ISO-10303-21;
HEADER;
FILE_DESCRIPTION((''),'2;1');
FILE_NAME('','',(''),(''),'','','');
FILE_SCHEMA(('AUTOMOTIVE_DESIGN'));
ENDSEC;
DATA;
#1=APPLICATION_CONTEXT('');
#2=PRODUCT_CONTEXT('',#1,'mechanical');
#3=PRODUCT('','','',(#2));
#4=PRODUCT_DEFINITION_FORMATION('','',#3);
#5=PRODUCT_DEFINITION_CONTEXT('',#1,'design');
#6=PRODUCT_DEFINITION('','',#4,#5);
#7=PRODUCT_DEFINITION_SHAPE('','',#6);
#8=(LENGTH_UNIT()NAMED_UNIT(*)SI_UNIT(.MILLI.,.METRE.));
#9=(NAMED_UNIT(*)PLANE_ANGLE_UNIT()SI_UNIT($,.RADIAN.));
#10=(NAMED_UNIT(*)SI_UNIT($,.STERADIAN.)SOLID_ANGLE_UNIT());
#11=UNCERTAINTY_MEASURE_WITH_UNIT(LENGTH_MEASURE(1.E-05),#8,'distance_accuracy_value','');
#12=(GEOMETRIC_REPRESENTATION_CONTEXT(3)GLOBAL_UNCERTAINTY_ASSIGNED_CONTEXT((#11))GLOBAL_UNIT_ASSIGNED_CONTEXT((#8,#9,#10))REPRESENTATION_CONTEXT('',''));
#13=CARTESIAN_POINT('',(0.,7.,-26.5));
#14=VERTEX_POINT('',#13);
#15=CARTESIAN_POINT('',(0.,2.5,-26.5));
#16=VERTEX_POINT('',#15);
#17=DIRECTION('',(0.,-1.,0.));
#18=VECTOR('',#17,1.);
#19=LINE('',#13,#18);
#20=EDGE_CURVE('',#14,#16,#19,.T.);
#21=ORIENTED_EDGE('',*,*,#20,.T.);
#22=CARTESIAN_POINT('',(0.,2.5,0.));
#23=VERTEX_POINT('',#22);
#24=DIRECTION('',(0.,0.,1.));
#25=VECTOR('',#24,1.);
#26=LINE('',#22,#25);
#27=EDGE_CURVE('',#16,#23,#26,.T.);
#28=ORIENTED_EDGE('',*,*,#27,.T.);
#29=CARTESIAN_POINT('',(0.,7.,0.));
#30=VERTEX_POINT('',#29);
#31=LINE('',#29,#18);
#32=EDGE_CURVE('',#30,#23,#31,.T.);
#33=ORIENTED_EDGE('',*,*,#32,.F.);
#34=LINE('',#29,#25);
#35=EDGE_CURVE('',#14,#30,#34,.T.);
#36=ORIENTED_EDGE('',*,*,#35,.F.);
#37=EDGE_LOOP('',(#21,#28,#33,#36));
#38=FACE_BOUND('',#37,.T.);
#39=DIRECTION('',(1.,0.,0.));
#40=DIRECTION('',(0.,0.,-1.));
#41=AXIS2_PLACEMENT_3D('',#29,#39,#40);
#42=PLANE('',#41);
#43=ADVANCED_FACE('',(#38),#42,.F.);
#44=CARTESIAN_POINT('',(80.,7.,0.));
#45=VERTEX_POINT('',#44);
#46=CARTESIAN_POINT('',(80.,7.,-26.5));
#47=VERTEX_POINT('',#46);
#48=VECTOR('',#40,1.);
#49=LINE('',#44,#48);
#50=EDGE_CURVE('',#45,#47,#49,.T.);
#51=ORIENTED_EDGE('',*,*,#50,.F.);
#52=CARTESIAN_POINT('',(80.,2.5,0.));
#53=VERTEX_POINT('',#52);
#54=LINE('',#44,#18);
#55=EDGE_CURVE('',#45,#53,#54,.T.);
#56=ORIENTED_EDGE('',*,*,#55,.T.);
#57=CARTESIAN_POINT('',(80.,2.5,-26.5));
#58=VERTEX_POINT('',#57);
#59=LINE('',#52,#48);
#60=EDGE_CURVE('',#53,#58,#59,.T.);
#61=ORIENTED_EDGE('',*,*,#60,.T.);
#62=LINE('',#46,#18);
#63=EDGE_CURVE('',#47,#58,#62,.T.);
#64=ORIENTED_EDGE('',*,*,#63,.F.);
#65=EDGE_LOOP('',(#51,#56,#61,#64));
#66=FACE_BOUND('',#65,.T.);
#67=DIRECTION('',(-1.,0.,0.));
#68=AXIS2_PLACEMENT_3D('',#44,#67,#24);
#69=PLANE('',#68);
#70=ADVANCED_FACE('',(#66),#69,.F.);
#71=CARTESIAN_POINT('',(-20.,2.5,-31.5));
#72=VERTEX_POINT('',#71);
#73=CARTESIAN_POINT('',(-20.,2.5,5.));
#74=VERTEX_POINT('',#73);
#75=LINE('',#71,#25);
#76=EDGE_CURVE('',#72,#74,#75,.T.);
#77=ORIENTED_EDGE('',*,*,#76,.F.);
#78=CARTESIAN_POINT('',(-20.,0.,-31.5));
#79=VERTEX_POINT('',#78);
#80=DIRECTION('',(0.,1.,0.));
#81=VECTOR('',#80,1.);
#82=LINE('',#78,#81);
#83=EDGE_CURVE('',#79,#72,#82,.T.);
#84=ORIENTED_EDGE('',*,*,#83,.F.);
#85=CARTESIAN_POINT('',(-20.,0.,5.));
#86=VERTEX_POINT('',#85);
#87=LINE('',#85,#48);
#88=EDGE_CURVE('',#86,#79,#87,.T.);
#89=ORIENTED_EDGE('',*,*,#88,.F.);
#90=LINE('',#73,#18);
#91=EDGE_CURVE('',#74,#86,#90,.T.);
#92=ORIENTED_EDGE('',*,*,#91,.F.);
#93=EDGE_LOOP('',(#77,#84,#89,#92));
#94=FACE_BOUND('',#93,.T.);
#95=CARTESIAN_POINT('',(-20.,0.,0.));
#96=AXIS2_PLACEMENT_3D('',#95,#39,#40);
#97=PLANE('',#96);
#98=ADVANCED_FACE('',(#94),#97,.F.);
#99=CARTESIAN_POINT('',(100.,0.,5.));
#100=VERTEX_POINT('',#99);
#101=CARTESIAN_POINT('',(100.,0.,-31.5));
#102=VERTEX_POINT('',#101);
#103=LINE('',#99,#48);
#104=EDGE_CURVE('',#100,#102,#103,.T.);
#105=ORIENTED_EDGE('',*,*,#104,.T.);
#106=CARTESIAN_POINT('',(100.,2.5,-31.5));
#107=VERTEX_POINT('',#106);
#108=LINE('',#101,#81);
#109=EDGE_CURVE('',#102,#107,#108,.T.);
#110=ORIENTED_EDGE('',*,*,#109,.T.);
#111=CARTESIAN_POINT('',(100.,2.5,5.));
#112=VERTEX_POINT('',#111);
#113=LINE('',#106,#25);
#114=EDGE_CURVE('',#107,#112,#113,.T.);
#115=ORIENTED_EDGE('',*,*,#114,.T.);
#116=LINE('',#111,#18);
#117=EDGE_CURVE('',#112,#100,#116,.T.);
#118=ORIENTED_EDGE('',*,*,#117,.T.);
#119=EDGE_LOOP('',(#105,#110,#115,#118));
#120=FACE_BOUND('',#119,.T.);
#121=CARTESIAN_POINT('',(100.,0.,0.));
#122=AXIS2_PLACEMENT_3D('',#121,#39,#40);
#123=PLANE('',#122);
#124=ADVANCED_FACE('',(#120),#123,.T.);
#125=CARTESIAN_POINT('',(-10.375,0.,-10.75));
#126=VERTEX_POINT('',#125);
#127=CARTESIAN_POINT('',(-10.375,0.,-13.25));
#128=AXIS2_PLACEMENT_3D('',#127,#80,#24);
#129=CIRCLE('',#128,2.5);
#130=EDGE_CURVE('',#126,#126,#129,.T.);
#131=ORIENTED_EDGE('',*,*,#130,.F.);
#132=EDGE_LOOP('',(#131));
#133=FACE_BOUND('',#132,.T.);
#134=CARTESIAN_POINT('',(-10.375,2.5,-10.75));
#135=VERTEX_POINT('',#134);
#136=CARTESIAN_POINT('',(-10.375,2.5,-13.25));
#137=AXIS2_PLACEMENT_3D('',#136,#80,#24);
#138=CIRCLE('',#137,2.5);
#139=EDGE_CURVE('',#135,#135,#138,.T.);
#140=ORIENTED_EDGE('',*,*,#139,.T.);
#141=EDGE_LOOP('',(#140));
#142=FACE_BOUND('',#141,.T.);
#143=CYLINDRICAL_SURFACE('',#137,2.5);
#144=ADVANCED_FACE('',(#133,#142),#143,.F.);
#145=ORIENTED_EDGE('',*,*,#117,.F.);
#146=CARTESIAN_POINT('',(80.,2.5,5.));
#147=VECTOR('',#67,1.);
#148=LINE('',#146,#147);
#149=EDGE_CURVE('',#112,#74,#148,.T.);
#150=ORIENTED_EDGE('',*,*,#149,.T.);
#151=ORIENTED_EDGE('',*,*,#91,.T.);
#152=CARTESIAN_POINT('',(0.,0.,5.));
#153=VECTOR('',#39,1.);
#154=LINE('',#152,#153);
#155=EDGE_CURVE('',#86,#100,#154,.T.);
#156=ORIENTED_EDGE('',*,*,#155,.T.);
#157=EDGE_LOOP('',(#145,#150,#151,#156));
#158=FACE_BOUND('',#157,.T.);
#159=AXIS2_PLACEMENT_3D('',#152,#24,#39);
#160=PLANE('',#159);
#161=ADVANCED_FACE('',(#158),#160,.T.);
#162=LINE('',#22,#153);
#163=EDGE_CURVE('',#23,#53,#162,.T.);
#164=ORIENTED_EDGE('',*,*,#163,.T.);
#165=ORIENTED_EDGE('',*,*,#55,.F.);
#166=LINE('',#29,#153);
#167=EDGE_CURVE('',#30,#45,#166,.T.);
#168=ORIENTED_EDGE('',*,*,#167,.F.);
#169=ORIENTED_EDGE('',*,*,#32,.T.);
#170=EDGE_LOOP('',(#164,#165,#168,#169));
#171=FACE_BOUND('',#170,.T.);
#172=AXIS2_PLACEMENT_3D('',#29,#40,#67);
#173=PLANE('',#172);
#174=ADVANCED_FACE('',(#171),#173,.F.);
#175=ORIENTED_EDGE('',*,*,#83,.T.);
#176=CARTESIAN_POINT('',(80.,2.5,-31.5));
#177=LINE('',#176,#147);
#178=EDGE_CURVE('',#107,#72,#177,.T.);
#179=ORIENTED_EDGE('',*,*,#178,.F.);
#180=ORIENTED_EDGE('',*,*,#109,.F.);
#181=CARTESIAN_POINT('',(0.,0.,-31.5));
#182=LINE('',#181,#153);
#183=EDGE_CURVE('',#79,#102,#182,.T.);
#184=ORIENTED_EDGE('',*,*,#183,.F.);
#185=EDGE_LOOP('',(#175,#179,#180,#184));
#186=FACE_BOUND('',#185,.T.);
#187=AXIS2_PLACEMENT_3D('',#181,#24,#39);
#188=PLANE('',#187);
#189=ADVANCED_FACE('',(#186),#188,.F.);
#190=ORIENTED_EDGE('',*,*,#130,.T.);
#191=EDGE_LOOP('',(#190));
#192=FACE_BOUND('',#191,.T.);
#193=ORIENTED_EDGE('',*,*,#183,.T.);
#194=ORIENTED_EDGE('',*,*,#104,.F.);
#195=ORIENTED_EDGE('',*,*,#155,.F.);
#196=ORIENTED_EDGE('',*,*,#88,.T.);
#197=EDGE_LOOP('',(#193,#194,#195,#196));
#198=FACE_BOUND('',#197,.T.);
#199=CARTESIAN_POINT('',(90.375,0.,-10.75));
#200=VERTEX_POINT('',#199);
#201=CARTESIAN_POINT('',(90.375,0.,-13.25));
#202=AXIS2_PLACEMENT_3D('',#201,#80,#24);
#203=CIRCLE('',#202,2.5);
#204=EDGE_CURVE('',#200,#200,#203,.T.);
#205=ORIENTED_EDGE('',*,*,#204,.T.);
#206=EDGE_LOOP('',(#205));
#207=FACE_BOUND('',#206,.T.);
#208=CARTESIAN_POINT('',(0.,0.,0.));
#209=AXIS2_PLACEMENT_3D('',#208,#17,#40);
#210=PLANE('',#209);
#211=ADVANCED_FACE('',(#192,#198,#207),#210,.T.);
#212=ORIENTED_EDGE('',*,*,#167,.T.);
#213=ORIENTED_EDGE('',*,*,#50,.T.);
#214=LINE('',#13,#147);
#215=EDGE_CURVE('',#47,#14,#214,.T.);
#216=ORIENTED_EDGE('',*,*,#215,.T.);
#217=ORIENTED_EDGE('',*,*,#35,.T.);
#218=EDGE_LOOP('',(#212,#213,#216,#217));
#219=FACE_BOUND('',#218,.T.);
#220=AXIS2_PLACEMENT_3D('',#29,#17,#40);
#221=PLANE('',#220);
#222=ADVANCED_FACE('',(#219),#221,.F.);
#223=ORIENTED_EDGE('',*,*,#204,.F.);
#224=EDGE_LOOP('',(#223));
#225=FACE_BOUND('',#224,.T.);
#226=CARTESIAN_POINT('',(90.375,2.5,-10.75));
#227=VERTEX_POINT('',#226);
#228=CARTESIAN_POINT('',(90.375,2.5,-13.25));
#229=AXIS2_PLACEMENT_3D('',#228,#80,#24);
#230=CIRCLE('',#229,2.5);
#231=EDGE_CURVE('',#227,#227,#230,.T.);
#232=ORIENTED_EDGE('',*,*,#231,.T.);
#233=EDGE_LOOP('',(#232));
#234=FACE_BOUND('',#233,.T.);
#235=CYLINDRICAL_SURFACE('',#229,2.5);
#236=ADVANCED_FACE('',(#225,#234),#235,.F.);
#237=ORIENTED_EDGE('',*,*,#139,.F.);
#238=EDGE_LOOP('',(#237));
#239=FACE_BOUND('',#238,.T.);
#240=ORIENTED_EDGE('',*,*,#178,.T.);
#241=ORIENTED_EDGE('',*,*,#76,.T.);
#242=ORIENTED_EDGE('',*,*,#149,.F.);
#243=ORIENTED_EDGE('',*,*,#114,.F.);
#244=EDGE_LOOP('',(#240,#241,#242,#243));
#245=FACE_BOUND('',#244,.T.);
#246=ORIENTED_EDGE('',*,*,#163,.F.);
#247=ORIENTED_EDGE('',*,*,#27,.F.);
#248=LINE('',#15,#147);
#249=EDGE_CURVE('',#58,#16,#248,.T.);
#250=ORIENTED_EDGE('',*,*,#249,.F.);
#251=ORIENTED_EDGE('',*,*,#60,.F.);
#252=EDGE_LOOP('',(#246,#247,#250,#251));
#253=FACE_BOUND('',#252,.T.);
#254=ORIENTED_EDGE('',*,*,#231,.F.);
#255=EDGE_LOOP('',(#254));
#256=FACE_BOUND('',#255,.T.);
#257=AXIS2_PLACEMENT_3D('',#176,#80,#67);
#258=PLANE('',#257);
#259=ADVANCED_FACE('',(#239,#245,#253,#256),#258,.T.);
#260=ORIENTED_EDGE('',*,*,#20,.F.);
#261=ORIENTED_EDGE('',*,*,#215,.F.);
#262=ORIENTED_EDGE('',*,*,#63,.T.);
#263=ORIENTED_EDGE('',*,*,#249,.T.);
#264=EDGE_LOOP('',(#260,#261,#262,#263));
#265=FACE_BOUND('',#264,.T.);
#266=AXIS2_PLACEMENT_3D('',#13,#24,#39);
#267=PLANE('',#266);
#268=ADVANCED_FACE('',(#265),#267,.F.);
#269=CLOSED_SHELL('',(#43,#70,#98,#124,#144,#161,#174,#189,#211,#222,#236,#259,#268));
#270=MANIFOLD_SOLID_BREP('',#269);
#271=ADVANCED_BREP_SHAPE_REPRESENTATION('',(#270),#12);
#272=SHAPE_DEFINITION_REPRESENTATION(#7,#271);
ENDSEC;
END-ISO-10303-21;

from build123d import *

# Parameters (mm, degrees)
SKETCH1_W                = 80
SKETCH1_H                = 26.5
BOSS_EXTRUDE1_DEPTH      = 7
SKETCH5_W                = 80
SKETCH5_H                = 2.5
BOSS_EXTRUDE5_DEPTH      = 5
BOSS_EXTRUDE5_DEPTH_BACK = 31.5
SKETCH6_W                = 36.5
SKETCH6_H                = 2.5
BOSS_EXTRUDE6_DEPTH      = 20
BOSS_EXTRUDE6_DEPTH_BACK = 100
F_5_0MM_DOWEL_HOLE1_D    = 5


with BuildPart() as part:
    # Sketch1 → Boss-Extrude1 (new body)
    with BuildSketch(Plane(origin=(0, 0, 0), x_dir=(1, 0, 0), z_dir=(0, 1, 0))):
        with Locations((40, 13.25)):
            Rectangle(SKETCH1_W, SKETCH1_H)
    extrude(amount=BOSS_EXTRUDE1_DEPTH)

    # Sketch5 → Boss-Extrude5 (add, two sides)
    with BuildSketch(Plane.XY) as boss_extrude5_sk:
        with Locations((40, 1.25)):
            Rectangle(SKETCH5_W, SKETCH5_H)
    extrude(amount=BOSS_EXTRUDE5_DEPTH)
    extrude(boss_extrude5_sk.sketch, amount=-BOSS_EXTRUDE5_DEPTH_BACK)

    # Sketch6 → Boss-Extrude6 (add, two sides)
    with BuildSketch(Plane(origin=(80, 0, 0), x_dir=(0, 0, -1), z_dir=(1, 0, 0))) as boss_extrude6_sk:
        with Locations((13.25, 1.25)):
            Rectangle(SKETCH6_W, SKETCH6_H)
    extrude(amount=BOSS_EXTRUDE6_DEPTH)
    extrude(boss_extrude6_sk.sketch, amount=-BOSS_EXTRUDE6_DEPTH_BACK)

    # Ø5.0mm Dowel Hole1 (through all)
    with Locations(Plane(origin=(0, 2.5, 0), x_dir=(1, 0, 0), z_dir=(0, 1, 0))):
        with Locations((-10.375, 13.25), (90.375, 13.25)):
            Hole(F_5_0MM_DOWEL_HOLE1_D / 2)


solid = part.part
